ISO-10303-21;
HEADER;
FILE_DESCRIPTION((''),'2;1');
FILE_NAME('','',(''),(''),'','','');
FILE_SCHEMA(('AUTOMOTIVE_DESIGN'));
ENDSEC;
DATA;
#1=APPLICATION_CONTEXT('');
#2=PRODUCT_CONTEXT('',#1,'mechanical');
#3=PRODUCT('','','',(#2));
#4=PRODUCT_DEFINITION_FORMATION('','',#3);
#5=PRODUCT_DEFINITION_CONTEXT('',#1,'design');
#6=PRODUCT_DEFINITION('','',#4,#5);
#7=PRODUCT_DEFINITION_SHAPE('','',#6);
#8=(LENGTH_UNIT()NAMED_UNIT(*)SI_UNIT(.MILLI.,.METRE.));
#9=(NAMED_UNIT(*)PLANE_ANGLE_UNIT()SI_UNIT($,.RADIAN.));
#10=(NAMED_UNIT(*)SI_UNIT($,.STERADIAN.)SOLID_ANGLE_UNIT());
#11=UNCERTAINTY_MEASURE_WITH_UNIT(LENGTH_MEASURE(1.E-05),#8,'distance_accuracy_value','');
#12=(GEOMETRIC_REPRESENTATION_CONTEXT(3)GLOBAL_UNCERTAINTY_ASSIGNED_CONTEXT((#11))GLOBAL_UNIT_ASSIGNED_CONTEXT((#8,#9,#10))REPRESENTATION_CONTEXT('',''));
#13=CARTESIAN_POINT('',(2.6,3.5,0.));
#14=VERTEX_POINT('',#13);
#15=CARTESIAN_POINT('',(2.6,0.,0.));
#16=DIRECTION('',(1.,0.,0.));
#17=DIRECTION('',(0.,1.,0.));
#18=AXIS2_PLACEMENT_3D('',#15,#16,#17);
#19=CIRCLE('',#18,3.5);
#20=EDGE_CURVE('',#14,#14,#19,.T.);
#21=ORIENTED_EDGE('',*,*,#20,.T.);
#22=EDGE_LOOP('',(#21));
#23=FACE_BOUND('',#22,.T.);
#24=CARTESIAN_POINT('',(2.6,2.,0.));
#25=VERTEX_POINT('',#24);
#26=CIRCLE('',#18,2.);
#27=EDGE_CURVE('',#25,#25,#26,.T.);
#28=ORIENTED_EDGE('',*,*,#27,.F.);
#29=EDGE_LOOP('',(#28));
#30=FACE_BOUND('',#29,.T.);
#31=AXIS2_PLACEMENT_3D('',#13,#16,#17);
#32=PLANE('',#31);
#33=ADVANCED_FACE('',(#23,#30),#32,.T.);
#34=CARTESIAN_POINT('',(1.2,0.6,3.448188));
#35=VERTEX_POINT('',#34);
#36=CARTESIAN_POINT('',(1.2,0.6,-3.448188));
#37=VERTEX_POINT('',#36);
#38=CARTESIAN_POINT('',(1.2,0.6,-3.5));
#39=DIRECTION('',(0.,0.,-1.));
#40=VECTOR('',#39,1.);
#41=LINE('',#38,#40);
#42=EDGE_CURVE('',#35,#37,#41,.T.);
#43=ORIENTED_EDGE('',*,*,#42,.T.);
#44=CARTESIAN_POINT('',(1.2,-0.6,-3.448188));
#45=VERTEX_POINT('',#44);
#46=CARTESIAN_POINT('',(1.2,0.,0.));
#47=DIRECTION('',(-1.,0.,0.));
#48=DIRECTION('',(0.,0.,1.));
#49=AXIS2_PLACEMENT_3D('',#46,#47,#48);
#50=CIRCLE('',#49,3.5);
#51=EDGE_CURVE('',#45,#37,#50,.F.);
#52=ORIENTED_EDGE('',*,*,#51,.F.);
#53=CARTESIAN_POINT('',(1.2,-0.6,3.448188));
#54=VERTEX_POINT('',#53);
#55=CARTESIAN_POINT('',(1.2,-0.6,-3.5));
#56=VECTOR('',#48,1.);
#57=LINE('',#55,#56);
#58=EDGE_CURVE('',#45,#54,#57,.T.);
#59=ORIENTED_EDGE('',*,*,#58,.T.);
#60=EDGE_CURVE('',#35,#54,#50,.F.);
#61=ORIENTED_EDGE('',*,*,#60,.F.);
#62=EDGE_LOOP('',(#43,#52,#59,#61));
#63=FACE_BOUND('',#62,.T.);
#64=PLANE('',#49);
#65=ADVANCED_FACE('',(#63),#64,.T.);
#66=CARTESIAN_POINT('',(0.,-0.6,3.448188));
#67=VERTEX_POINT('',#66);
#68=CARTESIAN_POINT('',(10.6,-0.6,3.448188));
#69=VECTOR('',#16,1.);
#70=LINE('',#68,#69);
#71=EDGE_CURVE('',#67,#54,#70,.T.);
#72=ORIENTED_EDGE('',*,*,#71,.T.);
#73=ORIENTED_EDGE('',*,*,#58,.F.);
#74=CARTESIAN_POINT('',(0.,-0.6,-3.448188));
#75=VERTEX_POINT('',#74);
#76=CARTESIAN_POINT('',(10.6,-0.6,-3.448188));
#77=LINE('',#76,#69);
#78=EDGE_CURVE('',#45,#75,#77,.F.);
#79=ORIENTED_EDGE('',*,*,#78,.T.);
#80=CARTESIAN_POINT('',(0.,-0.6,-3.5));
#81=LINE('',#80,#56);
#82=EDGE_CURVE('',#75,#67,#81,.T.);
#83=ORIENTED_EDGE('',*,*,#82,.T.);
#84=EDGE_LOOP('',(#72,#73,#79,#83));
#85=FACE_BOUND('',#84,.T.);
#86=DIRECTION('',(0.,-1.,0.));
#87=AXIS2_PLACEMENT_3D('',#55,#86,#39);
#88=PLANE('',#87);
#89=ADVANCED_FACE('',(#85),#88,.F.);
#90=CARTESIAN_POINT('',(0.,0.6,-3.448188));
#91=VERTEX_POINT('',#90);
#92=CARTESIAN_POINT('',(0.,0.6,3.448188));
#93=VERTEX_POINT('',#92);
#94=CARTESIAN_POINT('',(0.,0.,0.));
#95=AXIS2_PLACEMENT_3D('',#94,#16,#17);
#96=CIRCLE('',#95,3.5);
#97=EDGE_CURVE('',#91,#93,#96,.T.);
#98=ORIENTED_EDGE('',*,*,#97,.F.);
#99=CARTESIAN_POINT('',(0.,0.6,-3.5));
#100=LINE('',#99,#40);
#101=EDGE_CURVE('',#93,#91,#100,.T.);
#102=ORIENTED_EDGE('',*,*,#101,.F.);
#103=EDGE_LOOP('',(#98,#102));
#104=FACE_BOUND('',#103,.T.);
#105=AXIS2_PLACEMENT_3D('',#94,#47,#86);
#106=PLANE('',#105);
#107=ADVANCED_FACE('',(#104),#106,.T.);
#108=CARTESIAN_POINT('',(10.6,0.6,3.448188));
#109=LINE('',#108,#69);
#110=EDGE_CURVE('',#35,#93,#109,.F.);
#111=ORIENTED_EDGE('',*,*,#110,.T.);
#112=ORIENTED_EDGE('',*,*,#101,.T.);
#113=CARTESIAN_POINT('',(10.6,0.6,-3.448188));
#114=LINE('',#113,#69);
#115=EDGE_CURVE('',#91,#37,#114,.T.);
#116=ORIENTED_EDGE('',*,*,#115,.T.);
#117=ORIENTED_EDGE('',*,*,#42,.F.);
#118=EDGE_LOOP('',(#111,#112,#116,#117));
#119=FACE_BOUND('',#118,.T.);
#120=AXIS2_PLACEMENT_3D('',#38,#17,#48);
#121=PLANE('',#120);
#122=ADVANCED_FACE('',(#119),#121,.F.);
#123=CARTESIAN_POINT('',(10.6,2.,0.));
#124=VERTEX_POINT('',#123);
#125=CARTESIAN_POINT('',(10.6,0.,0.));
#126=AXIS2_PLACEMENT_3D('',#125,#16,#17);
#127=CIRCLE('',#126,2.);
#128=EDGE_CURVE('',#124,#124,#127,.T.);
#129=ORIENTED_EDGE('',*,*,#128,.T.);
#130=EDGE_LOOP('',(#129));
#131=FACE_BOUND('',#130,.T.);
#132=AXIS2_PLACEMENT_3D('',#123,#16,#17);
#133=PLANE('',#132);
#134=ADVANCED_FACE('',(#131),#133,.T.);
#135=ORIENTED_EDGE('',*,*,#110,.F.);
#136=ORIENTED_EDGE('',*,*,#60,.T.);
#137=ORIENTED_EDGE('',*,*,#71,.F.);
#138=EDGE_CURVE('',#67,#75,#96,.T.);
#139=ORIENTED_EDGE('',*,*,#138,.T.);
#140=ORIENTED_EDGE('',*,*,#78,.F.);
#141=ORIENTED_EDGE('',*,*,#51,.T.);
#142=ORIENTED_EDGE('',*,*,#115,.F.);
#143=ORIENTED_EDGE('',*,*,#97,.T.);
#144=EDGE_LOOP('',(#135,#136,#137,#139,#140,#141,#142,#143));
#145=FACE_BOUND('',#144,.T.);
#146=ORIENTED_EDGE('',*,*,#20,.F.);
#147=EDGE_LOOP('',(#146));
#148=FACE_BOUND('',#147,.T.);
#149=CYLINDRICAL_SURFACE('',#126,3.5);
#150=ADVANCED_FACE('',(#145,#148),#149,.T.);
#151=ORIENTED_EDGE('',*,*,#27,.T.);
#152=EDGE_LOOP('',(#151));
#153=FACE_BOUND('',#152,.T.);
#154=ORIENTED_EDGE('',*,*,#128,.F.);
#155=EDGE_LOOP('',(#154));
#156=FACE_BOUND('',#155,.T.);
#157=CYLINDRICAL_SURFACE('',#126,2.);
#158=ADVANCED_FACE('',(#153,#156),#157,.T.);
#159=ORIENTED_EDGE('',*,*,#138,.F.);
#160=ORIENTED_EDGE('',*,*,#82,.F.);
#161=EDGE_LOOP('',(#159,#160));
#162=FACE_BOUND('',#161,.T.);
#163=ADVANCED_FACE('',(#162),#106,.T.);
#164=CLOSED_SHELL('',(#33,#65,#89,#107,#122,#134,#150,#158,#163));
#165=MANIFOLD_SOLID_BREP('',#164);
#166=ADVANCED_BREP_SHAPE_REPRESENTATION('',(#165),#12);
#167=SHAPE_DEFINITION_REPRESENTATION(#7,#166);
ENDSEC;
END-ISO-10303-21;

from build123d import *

# Parameters (mm, degrees)
SKETCH2_W          = 7
SKETCH2_H          = 1.2
CUT_EXTRUDE1_DEPTH = 1.2


with BuildPart() as part:
    # Sketch1 → Revolve1 (revolve)
    with BuildSketch(Plane.XY):
        Polygon((0, 0), (0, 3.5), (2.6, 3.5), (2.6, 2), (10.6, 2), (10.6, 0), align=None)
    revolve(axis=Axis((10.6, 0, 0), (-1, 0, 0)))

    # Sketch2 → Cut-Extrude1 (cut)
    with BuildSketch(Plane.ZY):
        Rectangle(SKETCH2_W, SKETCH2_H)
    extrude(amount=-CUT_EXTRUDE1_DEPTH, mode=Mode.SUBTRACT)


solid = part.part
